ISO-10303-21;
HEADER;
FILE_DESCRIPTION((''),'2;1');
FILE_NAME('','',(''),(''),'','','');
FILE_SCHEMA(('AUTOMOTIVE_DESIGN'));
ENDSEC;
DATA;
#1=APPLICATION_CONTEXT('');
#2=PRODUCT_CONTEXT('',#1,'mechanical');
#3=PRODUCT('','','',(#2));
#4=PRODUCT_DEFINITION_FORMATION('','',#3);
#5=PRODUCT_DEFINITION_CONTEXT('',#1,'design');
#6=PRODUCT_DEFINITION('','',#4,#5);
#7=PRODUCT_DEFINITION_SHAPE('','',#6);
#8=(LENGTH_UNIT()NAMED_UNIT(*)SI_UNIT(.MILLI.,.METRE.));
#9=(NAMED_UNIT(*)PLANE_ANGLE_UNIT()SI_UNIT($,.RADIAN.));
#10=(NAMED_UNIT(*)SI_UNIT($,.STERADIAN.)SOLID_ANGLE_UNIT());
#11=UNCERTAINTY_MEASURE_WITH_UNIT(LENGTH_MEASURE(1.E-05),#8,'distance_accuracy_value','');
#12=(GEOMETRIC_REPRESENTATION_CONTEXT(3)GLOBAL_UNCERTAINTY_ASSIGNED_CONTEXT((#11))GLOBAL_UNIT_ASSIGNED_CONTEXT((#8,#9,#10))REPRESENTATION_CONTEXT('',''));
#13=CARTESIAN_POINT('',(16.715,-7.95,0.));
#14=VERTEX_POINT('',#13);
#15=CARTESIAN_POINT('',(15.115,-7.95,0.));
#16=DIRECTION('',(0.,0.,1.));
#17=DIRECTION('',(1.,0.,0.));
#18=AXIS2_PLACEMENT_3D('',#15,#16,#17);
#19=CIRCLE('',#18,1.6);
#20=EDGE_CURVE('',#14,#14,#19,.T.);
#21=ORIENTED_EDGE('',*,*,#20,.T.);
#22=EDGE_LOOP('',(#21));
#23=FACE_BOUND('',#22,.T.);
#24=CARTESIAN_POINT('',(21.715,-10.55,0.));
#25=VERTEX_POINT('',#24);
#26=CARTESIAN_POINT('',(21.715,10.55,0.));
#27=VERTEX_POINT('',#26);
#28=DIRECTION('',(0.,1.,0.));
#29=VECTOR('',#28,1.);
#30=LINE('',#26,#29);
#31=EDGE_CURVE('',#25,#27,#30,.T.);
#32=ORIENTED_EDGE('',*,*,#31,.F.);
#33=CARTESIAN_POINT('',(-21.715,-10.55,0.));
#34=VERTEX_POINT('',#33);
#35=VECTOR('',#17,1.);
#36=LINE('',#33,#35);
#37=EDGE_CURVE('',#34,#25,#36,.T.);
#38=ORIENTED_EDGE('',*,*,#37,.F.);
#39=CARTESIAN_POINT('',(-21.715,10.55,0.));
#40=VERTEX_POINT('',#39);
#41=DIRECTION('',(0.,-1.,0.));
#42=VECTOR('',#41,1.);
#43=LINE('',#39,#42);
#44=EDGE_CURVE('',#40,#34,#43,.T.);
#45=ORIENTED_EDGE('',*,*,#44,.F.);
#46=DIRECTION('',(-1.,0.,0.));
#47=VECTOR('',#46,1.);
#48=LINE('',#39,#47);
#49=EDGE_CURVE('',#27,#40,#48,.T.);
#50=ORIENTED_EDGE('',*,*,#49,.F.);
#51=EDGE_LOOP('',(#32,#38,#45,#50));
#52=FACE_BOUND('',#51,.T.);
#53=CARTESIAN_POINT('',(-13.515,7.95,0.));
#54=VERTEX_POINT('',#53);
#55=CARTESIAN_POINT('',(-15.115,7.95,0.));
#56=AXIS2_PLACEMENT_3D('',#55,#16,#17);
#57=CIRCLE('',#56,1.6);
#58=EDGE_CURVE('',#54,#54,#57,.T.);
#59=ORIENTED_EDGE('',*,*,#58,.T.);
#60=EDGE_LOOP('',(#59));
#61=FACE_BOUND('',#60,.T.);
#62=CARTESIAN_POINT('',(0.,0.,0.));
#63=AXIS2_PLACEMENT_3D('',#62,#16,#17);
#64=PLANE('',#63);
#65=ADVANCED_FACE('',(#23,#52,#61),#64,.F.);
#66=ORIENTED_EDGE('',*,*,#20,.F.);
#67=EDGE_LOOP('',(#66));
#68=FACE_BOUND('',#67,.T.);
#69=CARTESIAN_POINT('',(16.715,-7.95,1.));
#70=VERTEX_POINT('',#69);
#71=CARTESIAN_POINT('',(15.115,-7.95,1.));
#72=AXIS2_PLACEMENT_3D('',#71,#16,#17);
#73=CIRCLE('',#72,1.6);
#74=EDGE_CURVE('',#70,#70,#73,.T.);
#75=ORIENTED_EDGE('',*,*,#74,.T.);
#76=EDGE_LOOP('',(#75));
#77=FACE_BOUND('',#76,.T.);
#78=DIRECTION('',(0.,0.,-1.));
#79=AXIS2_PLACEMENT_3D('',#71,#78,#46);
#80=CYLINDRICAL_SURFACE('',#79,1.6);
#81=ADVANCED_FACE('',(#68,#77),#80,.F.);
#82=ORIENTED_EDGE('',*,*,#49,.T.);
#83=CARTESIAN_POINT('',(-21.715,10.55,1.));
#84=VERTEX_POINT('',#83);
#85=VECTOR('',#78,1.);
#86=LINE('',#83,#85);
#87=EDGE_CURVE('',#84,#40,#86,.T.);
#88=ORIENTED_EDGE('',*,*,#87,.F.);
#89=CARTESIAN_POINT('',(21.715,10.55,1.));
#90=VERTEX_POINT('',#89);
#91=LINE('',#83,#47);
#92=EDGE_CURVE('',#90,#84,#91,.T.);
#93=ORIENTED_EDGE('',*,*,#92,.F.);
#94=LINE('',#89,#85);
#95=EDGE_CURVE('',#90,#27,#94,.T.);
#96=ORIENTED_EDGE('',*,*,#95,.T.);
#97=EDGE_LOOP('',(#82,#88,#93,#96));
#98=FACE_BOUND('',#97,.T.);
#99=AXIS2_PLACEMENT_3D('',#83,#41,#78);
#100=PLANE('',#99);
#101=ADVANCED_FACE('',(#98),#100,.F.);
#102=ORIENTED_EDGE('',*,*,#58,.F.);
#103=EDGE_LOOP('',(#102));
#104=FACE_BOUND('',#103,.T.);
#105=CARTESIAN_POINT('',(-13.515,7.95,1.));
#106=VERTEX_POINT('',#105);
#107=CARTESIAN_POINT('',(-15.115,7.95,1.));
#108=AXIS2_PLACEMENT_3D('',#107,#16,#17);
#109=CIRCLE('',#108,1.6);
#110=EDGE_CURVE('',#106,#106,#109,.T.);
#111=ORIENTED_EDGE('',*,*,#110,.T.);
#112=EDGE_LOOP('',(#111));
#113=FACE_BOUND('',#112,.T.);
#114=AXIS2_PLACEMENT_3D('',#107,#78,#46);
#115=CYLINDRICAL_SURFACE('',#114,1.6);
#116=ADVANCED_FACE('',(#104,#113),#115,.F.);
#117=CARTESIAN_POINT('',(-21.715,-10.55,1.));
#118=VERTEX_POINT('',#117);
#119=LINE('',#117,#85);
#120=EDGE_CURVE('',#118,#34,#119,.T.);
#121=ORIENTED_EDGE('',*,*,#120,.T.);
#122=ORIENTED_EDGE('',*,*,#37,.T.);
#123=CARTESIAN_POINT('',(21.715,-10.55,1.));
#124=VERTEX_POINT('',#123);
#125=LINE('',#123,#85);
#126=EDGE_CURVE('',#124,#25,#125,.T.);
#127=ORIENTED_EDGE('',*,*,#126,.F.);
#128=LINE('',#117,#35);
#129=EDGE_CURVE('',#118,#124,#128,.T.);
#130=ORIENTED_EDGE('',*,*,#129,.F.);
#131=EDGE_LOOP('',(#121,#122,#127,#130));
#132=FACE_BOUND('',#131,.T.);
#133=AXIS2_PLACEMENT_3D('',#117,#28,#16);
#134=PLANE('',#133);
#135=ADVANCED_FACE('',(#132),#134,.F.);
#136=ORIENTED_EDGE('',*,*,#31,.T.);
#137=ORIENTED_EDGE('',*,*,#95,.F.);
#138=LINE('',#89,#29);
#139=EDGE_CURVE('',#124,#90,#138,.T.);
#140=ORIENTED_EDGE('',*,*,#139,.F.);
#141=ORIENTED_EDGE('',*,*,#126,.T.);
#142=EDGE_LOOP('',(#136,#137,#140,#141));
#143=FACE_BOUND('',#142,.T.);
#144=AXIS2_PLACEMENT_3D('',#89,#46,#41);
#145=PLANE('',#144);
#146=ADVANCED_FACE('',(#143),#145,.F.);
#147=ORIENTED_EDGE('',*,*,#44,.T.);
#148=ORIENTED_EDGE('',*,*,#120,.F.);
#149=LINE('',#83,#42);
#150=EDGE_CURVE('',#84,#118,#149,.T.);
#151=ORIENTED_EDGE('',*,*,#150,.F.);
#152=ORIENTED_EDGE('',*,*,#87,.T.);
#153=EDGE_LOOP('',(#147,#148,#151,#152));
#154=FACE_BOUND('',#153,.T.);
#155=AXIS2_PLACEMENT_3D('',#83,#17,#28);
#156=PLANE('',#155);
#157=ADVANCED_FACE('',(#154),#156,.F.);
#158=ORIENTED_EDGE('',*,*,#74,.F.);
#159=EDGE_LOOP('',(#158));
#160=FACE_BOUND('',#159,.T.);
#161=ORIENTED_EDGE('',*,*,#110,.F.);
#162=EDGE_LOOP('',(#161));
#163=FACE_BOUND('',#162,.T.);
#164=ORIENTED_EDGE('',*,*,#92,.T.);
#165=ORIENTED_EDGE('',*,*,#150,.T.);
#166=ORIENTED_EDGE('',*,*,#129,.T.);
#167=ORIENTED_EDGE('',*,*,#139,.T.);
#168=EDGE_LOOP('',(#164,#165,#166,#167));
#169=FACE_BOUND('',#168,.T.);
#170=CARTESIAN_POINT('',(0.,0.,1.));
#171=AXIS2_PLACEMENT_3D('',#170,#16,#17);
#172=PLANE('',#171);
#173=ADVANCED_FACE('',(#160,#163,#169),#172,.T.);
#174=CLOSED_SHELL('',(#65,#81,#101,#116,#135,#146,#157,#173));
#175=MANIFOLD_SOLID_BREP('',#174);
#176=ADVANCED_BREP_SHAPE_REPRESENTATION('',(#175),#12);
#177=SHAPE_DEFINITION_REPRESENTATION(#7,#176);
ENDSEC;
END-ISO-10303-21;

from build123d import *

# Parameters (mm, degrees)
CROQUIS1_W              = 43.43
CROQUIS1_H              = 21.1
CROQUIS1_R              = 1.6
SALIENTE_EXTRUIR1_DEPTH = 1


with BuildPart() as part:
    # Croquis1 → Saliente-Extruir1 (new body)
    with BuildSketch(Plane.XY):
        Rectangle(CROQUIS1_W, CROQUIS1_H)
        with Locations((-15.115, 7.95)):
            Circle(CROQUIS1_R, mode=Mode.SUBTRACT)
        with Locations((15.115, -7.95)):
            Circle(CROQUIS1_R, mode=Mode.SUBTRACT)
    extrude(amount=SALIENTE_EXTRUIR1_DEPTH)


solid = part.part
